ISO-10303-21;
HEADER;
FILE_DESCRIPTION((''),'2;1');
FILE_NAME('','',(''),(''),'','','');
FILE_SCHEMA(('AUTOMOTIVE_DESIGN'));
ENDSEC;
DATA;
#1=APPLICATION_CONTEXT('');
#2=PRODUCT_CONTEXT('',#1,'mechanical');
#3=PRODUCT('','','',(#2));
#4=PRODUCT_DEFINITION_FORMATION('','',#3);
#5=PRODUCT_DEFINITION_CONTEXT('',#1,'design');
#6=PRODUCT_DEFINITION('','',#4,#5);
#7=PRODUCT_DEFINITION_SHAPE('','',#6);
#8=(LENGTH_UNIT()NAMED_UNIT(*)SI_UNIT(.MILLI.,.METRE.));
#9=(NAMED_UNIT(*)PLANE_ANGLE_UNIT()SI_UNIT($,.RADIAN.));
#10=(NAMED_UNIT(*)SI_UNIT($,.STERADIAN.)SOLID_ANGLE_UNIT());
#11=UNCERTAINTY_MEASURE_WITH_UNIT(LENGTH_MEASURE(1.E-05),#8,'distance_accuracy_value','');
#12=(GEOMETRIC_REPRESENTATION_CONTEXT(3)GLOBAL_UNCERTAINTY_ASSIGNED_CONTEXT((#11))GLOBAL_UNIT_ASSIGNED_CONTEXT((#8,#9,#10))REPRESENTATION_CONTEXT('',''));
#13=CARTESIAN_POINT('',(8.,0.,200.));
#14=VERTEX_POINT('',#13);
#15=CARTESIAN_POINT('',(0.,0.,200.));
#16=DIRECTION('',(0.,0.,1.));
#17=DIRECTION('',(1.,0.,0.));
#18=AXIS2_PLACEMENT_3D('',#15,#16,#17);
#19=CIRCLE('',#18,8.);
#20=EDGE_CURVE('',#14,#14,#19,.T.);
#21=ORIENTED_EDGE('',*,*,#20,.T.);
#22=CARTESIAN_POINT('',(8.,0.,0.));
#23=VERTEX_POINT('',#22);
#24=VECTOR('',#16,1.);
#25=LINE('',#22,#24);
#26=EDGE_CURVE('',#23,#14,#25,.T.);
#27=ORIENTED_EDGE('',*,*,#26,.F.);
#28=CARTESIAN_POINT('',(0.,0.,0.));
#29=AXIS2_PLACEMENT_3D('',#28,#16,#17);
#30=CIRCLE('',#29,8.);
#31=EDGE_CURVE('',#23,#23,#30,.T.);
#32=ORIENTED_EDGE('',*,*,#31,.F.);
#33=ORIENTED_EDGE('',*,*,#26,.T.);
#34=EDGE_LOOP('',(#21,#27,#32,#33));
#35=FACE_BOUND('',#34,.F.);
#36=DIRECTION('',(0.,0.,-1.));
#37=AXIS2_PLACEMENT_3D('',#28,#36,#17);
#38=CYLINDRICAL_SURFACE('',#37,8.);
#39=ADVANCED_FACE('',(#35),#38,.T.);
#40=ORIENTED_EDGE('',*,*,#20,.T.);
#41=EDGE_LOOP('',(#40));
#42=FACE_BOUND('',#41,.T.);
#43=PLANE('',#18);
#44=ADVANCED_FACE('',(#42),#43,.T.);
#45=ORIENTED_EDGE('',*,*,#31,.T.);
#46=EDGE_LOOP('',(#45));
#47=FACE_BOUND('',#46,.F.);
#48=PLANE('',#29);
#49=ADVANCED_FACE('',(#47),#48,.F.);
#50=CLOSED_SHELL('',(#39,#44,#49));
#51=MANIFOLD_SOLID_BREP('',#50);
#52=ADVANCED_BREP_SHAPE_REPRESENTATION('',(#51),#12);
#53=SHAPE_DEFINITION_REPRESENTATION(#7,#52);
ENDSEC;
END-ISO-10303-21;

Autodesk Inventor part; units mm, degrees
ref_plane "YZ Plane" through (0, 0, 0) normal (1, 0, 0) x (0, 1, 0)
ref_plane "XZ Plane" through (0, 0, 0) normal (0, 1, 0) x (-1, 0, 0)
ref_plane "XY Plane" through (0, 0, 0) normal (0, 0, 1) x (1, 0, 0)
sketch "Esboço1" plane through (0, 0, 0) normal (0, 0, 1) x (1, 0, 0)
  circle A0 centre (0, 0) radius 8
  dimension "d0" = 16
extrude "Extrusão1" add sketch "Esboço1" along normal blind 200
properties part number "GuiaLinear_16mmx200mm"
